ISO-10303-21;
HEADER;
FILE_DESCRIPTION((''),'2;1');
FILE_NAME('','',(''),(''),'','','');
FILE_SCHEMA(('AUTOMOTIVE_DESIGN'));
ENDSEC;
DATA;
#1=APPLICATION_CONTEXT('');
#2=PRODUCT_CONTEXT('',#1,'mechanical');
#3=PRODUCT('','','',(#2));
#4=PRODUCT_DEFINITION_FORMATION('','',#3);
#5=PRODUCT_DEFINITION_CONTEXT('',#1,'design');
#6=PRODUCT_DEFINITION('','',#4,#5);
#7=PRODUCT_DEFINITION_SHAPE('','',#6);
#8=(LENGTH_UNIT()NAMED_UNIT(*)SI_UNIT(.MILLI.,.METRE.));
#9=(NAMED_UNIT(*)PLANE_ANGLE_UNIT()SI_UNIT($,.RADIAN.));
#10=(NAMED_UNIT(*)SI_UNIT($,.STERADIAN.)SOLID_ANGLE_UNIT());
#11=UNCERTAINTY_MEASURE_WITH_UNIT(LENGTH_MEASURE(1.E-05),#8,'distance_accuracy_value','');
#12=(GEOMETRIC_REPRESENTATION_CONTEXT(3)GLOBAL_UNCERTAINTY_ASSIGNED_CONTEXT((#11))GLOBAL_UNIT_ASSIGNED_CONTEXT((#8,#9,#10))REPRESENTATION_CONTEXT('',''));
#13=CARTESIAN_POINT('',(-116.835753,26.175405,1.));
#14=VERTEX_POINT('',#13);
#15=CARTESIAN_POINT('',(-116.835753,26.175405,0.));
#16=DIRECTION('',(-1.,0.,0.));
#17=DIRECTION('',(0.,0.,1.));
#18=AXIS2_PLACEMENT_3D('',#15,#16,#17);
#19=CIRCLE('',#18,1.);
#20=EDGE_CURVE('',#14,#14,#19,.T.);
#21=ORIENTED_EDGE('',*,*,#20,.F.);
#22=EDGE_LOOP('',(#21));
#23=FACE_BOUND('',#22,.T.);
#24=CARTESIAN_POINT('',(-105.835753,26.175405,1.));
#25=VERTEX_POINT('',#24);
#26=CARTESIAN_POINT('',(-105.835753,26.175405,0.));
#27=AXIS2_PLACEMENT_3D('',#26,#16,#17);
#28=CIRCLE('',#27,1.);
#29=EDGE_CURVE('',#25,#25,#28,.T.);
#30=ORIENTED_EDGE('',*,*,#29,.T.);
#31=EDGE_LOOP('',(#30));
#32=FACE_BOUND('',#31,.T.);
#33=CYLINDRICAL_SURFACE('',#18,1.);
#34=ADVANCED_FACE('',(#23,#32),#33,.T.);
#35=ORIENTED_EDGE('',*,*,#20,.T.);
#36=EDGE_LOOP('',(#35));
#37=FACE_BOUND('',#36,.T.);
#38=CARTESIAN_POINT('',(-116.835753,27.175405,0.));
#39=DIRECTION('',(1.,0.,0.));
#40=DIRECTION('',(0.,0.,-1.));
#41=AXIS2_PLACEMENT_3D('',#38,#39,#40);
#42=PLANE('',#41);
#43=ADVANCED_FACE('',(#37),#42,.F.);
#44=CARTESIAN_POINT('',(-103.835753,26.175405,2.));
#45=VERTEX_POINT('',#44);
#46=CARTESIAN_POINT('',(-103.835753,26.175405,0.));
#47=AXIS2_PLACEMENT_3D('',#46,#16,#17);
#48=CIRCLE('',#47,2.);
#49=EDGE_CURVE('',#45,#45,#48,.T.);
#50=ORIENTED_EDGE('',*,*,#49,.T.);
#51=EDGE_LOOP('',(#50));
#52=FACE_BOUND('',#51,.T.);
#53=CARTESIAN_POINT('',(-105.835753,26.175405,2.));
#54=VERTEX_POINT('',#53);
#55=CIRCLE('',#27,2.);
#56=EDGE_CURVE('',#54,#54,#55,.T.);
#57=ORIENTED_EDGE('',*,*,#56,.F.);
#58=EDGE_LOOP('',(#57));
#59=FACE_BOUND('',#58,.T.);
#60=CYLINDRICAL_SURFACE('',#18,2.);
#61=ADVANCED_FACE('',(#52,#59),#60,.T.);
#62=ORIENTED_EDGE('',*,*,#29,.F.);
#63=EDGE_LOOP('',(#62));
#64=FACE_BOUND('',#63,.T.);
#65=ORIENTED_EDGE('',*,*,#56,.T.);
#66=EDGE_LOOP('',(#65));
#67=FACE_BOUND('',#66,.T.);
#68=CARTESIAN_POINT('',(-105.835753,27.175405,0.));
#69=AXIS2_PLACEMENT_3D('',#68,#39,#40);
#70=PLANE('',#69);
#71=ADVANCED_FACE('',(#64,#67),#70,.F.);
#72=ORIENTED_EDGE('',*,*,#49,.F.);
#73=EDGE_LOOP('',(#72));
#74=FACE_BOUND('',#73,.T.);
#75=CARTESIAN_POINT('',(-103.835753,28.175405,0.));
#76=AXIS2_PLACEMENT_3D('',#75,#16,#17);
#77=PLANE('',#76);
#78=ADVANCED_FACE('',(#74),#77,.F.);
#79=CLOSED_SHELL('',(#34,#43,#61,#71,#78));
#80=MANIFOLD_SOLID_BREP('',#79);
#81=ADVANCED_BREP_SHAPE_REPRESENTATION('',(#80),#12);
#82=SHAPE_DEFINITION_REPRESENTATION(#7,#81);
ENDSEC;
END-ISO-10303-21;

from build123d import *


with BuildPart() as part:
    # Sketch1 → Revolve1 (revolve)
    with BuildSketch(Plane.XY, mode=Mode.PRIVATE) as revolve1_sk:
        Polygon((-116.835752997, 27.175404574), (-105.835752997, 27.175404574), (-105.835752997, 28.175404574), (-103.835752997, 28.175404574), (-103.835752997, 26.175404574), (-116.835752997, 26.175404574), align=None)
    revolve(revolve1_sk.sketch.rotate(Axis((-116.835752997, 26.175404574, 0), (1, 0, 0)), 90), axis=Axis((-116.835752997, 26.175404574, 0), (1, 0, 0)))


solid = part.part
